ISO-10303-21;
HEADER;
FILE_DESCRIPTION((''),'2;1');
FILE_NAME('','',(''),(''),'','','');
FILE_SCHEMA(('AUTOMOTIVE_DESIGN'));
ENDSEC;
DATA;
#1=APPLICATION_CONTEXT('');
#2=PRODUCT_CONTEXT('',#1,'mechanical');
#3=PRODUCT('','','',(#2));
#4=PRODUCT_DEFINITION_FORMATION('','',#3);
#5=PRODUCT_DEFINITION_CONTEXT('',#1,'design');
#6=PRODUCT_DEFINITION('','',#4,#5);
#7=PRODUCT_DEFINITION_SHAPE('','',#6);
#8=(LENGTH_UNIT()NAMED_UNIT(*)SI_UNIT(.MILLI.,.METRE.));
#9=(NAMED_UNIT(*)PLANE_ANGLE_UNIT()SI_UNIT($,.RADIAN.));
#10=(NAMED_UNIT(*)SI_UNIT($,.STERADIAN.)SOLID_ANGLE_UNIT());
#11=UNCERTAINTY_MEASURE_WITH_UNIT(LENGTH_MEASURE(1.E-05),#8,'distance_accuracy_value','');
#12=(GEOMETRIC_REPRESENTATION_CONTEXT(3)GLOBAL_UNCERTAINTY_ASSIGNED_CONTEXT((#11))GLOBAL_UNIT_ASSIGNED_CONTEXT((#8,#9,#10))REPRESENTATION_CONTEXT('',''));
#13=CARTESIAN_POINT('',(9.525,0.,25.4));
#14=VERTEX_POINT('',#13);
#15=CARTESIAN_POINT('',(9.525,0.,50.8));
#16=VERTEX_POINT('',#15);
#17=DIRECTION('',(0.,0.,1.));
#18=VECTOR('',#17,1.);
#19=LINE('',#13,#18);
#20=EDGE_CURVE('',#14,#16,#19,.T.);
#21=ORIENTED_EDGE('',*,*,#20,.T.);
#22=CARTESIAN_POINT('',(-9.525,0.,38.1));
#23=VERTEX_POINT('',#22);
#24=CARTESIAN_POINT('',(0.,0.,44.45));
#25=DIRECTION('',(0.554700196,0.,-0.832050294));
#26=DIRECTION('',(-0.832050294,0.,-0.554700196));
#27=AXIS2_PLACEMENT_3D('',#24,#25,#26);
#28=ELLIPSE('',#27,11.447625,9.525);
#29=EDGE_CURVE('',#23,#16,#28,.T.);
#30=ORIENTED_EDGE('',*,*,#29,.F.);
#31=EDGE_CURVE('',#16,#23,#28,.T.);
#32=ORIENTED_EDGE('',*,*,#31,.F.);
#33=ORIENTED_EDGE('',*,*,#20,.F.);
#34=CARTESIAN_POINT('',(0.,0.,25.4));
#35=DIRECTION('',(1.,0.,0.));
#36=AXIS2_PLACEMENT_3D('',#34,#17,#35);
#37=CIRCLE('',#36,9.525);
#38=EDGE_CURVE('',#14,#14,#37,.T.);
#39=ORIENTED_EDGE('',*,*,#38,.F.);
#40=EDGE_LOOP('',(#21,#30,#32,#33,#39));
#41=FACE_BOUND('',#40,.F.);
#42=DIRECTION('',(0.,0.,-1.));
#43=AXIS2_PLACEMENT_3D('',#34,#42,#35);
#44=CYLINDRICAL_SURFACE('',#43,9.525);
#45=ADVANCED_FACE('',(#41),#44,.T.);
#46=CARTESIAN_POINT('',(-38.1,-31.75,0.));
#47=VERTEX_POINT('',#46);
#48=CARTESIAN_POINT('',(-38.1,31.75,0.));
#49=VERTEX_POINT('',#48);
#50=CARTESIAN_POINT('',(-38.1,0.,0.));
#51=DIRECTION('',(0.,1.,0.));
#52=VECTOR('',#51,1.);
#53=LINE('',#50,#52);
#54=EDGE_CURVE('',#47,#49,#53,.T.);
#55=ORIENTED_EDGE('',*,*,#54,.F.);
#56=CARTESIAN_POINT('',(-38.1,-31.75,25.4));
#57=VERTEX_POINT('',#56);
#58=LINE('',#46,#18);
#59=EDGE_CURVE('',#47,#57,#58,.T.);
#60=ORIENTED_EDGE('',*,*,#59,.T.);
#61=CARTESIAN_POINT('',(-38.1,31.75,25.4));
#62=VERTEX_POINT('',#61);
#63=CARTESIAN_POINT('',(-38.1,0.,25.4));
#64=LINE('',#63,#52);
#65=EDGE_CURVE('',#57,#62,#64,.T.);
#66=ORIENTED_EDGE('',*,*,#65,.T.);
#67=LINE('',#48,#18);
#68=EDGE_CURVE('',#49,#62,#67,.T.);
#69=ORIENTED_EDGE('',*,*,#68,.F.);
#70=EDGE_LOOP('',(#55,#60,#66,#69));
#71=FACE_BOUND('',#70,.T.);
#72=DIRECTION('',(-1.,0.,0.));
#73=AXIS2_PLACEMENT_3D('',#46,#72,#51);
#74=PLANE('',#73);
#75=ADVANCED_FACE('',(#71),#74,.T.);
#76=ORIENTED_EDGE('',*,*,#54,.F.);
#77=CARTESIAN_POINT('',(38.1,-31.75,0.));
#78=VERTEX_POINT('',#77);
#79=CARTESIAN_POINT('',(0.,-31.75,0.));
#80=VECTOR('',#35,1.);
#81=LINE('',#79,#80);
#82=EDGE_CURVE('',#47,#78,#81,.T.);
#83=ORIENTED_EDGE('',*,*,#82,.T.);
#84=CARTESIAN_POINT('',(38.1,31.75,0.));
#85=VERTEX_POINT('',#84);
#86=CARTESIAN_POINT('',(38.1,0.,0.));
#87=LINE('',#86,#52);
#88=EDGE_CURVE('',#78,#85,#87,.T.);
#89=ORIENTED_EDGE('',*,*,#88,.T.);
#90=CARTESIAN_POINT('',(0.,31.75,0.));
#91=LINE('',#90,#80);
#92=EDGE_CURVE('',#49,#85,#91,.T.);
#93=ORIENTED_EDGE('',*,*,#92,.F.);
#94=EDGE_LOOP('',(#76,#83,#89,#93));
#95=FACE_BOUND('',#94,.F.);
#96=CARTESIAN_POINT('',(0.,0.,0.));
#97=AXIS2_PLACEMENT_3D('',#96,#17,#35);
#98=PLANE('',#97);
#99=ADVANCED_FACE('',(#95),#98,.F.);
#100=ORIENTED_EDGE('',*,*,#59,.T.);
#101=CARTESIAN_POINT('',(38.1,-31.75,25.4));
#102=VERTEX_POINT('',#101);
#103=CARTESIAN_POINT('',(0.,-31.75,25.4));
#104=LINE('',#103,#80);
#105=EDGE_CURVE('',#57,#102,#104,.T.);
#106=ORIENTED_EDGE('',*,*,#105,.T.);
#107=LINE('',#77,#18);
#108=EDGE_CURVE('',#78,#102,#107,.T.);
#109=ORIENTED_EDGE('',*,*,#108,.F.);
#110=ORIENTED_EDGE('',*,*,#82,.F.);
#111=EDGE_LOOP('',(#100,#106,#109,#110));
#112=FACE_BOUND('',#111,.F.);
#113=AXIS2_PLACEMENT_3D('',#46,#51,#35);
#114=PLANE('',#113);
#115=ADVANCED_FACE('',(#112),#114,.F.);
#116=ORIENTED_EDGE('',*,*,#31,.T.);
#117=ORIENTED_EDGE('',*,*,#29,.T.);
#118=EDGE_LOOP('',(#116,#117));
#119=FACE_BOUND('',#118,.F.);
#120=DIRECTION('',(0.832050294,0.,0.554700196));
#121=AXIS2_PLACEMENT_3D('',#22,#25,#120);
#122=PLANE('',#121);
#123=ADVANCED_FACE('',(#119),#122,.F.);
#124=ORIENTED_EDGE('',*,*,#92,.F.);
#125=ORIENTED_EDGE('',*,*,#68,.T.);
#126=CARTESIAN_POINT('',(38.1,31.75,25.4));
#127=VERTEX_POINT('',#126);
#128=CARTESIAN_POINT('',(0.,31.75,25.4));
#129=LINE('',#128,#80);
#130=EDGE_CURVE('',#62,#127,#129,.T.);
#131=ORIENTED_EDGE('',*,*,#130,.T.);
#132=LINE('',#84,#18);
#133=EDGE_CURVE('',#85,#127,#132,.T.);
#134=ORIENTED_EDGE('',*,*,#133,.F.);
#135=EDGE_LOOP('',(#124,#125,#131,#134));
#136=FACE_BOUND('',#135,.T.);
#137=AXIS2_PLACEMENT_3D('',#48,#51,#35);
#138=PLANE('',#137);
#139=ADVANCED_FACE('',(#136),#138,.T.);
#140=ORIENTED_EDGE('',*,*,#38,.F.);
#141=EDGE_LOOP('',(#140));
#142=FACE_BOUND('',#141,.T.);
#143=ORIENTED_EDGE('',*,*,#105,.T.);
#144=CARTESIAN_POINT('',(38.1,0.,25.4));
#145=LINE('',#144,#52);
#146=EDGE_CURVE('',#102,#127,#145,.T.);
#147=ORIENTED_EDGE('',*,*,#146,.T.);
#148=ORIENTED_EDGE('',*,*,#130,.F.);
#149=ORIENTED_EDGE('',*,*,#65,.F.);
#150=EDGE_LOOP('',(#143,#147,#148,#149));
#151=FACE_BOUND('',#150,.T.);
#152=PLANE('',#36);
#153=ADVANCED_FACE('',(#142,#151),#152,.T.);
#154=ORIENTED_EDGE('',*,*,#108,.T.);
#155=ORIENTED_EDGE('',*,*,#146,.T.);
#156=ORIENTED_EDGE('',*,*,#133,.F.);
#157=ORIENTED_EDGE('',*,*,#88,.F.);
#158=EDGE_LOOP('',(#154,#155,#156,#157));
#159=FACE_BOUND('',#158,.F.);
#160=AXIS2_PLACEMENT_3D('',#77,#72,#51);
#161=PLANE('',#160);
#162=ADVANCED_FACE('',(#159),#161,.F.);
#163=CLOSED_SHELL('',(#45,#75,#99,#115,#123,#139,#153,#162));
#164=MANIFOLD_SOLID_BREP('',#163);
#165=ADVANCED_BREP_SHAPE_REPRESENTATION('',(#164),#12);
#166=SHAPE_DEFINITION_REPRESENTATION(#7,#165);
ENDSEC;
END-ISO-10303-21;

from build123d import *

# Parameters (mm, degrees)
F0_W     = 76.2
F0_H     = 63.5
F1_DEPTH = 25.4
F2_R     = 9.525
F3_DEPTH = 25.4
F5_DEPTH = 19.05


with BuildPart() as f1:
    # F0 (on Top) → F1 (new body)
    with BuildSketch(Plane.XY):
        Rectangle(F0_W, F0_H)
    extrude(amount=F1_DEPTH)

    # F2 (on face) → F3 (join)
    with BuildSketch(Plane.XY.offset(25.4)):
        Circle(F2_R)
    extrude(amount=F3_DEPTH)

    # F4 (on Front) → F5 (cut, symmetric)
    with BuildSketch(Plane.XZ):
        Polygon((9.525, 50.8), (-9.525, 50.8), (-9.525, 38.1), align=None)
    extrude(amount=F5_DEPTH, both=True, mode=Mode.SUBTRACT)


solid = f1.part
